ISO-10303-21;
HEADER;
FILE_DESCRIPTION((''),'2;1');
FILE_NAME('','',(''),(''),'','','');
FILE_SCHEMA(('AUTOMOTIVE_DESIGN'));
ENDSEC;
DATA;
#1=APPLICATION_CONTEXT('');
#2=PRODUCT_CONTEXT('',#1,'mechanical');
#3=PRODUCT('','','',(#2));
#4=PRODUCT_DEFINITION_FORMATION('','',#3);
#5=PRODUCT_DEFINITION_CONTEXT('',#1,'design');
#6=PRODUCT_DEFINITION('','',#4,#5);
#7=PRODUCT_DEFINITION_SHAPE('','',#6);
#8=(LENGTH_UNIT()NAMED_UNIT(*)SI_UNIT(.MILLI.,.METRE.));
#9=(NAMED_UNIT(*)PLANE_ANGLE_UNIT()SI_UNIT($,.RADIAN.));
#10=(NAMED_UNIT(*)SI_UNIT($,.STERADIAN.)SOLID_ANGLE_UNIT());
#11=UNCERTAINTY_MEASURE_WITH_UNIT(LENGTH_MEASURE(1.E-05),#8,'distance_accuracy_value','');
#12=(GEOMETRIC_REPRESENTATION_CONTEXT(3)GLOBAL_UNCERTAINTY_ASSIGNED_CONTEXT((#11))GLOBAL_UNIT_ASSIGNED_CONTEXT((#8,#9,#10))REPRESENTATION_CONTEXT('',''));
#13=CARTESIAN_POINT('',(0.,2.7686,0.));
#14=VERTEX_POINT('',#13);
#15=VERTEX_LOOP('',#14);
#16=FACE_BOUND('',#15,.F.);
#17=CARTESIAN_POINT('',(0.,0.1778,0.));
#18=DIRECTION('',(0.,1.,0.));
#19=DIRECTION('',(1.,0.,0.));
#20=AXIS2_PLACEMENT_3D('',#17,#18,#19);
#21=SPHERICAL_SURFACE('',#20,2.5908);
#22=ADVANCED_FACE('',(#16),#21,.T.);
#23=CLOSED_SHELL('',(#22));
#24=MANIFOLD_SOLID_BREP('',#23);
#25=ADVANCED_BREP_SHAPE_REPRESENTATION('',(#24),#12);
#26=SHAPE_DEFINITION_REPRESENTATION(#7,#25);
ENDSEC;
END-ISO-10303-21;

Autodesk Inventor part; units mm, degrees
ref_plane "YZ Plane" through (0, 0, 0) normal (1, 0, 0) x (0, 1, 0)
ref_plane "XZ Plane" through (0, 0, 0) normal (0, 1, 0) x (-1, 0, 0)
ref_plane "XY Plane" through (0, 0, 0) normal (0, 0, 1) x (1, 0, 0)
sketch "Sketch1" plane through (0, 0, 0) normal (0, 0, 1) x (1, 0, 0)
  arc A0 (0, -2.413) -> (0, 2.7686) centre (0, 0.1778) ccw
  line L0 (0, 2.7686) -> (0, -2.413)
  dimension "d0" = 5.1816
  dimension "d0" = 5.1816
revolve "Revolution1" add sketch "Sketch1" angle 360 about axis through (0, 2.7686, 0) along (0, -1, 0)
properties part number "2009_CTS_Light"
